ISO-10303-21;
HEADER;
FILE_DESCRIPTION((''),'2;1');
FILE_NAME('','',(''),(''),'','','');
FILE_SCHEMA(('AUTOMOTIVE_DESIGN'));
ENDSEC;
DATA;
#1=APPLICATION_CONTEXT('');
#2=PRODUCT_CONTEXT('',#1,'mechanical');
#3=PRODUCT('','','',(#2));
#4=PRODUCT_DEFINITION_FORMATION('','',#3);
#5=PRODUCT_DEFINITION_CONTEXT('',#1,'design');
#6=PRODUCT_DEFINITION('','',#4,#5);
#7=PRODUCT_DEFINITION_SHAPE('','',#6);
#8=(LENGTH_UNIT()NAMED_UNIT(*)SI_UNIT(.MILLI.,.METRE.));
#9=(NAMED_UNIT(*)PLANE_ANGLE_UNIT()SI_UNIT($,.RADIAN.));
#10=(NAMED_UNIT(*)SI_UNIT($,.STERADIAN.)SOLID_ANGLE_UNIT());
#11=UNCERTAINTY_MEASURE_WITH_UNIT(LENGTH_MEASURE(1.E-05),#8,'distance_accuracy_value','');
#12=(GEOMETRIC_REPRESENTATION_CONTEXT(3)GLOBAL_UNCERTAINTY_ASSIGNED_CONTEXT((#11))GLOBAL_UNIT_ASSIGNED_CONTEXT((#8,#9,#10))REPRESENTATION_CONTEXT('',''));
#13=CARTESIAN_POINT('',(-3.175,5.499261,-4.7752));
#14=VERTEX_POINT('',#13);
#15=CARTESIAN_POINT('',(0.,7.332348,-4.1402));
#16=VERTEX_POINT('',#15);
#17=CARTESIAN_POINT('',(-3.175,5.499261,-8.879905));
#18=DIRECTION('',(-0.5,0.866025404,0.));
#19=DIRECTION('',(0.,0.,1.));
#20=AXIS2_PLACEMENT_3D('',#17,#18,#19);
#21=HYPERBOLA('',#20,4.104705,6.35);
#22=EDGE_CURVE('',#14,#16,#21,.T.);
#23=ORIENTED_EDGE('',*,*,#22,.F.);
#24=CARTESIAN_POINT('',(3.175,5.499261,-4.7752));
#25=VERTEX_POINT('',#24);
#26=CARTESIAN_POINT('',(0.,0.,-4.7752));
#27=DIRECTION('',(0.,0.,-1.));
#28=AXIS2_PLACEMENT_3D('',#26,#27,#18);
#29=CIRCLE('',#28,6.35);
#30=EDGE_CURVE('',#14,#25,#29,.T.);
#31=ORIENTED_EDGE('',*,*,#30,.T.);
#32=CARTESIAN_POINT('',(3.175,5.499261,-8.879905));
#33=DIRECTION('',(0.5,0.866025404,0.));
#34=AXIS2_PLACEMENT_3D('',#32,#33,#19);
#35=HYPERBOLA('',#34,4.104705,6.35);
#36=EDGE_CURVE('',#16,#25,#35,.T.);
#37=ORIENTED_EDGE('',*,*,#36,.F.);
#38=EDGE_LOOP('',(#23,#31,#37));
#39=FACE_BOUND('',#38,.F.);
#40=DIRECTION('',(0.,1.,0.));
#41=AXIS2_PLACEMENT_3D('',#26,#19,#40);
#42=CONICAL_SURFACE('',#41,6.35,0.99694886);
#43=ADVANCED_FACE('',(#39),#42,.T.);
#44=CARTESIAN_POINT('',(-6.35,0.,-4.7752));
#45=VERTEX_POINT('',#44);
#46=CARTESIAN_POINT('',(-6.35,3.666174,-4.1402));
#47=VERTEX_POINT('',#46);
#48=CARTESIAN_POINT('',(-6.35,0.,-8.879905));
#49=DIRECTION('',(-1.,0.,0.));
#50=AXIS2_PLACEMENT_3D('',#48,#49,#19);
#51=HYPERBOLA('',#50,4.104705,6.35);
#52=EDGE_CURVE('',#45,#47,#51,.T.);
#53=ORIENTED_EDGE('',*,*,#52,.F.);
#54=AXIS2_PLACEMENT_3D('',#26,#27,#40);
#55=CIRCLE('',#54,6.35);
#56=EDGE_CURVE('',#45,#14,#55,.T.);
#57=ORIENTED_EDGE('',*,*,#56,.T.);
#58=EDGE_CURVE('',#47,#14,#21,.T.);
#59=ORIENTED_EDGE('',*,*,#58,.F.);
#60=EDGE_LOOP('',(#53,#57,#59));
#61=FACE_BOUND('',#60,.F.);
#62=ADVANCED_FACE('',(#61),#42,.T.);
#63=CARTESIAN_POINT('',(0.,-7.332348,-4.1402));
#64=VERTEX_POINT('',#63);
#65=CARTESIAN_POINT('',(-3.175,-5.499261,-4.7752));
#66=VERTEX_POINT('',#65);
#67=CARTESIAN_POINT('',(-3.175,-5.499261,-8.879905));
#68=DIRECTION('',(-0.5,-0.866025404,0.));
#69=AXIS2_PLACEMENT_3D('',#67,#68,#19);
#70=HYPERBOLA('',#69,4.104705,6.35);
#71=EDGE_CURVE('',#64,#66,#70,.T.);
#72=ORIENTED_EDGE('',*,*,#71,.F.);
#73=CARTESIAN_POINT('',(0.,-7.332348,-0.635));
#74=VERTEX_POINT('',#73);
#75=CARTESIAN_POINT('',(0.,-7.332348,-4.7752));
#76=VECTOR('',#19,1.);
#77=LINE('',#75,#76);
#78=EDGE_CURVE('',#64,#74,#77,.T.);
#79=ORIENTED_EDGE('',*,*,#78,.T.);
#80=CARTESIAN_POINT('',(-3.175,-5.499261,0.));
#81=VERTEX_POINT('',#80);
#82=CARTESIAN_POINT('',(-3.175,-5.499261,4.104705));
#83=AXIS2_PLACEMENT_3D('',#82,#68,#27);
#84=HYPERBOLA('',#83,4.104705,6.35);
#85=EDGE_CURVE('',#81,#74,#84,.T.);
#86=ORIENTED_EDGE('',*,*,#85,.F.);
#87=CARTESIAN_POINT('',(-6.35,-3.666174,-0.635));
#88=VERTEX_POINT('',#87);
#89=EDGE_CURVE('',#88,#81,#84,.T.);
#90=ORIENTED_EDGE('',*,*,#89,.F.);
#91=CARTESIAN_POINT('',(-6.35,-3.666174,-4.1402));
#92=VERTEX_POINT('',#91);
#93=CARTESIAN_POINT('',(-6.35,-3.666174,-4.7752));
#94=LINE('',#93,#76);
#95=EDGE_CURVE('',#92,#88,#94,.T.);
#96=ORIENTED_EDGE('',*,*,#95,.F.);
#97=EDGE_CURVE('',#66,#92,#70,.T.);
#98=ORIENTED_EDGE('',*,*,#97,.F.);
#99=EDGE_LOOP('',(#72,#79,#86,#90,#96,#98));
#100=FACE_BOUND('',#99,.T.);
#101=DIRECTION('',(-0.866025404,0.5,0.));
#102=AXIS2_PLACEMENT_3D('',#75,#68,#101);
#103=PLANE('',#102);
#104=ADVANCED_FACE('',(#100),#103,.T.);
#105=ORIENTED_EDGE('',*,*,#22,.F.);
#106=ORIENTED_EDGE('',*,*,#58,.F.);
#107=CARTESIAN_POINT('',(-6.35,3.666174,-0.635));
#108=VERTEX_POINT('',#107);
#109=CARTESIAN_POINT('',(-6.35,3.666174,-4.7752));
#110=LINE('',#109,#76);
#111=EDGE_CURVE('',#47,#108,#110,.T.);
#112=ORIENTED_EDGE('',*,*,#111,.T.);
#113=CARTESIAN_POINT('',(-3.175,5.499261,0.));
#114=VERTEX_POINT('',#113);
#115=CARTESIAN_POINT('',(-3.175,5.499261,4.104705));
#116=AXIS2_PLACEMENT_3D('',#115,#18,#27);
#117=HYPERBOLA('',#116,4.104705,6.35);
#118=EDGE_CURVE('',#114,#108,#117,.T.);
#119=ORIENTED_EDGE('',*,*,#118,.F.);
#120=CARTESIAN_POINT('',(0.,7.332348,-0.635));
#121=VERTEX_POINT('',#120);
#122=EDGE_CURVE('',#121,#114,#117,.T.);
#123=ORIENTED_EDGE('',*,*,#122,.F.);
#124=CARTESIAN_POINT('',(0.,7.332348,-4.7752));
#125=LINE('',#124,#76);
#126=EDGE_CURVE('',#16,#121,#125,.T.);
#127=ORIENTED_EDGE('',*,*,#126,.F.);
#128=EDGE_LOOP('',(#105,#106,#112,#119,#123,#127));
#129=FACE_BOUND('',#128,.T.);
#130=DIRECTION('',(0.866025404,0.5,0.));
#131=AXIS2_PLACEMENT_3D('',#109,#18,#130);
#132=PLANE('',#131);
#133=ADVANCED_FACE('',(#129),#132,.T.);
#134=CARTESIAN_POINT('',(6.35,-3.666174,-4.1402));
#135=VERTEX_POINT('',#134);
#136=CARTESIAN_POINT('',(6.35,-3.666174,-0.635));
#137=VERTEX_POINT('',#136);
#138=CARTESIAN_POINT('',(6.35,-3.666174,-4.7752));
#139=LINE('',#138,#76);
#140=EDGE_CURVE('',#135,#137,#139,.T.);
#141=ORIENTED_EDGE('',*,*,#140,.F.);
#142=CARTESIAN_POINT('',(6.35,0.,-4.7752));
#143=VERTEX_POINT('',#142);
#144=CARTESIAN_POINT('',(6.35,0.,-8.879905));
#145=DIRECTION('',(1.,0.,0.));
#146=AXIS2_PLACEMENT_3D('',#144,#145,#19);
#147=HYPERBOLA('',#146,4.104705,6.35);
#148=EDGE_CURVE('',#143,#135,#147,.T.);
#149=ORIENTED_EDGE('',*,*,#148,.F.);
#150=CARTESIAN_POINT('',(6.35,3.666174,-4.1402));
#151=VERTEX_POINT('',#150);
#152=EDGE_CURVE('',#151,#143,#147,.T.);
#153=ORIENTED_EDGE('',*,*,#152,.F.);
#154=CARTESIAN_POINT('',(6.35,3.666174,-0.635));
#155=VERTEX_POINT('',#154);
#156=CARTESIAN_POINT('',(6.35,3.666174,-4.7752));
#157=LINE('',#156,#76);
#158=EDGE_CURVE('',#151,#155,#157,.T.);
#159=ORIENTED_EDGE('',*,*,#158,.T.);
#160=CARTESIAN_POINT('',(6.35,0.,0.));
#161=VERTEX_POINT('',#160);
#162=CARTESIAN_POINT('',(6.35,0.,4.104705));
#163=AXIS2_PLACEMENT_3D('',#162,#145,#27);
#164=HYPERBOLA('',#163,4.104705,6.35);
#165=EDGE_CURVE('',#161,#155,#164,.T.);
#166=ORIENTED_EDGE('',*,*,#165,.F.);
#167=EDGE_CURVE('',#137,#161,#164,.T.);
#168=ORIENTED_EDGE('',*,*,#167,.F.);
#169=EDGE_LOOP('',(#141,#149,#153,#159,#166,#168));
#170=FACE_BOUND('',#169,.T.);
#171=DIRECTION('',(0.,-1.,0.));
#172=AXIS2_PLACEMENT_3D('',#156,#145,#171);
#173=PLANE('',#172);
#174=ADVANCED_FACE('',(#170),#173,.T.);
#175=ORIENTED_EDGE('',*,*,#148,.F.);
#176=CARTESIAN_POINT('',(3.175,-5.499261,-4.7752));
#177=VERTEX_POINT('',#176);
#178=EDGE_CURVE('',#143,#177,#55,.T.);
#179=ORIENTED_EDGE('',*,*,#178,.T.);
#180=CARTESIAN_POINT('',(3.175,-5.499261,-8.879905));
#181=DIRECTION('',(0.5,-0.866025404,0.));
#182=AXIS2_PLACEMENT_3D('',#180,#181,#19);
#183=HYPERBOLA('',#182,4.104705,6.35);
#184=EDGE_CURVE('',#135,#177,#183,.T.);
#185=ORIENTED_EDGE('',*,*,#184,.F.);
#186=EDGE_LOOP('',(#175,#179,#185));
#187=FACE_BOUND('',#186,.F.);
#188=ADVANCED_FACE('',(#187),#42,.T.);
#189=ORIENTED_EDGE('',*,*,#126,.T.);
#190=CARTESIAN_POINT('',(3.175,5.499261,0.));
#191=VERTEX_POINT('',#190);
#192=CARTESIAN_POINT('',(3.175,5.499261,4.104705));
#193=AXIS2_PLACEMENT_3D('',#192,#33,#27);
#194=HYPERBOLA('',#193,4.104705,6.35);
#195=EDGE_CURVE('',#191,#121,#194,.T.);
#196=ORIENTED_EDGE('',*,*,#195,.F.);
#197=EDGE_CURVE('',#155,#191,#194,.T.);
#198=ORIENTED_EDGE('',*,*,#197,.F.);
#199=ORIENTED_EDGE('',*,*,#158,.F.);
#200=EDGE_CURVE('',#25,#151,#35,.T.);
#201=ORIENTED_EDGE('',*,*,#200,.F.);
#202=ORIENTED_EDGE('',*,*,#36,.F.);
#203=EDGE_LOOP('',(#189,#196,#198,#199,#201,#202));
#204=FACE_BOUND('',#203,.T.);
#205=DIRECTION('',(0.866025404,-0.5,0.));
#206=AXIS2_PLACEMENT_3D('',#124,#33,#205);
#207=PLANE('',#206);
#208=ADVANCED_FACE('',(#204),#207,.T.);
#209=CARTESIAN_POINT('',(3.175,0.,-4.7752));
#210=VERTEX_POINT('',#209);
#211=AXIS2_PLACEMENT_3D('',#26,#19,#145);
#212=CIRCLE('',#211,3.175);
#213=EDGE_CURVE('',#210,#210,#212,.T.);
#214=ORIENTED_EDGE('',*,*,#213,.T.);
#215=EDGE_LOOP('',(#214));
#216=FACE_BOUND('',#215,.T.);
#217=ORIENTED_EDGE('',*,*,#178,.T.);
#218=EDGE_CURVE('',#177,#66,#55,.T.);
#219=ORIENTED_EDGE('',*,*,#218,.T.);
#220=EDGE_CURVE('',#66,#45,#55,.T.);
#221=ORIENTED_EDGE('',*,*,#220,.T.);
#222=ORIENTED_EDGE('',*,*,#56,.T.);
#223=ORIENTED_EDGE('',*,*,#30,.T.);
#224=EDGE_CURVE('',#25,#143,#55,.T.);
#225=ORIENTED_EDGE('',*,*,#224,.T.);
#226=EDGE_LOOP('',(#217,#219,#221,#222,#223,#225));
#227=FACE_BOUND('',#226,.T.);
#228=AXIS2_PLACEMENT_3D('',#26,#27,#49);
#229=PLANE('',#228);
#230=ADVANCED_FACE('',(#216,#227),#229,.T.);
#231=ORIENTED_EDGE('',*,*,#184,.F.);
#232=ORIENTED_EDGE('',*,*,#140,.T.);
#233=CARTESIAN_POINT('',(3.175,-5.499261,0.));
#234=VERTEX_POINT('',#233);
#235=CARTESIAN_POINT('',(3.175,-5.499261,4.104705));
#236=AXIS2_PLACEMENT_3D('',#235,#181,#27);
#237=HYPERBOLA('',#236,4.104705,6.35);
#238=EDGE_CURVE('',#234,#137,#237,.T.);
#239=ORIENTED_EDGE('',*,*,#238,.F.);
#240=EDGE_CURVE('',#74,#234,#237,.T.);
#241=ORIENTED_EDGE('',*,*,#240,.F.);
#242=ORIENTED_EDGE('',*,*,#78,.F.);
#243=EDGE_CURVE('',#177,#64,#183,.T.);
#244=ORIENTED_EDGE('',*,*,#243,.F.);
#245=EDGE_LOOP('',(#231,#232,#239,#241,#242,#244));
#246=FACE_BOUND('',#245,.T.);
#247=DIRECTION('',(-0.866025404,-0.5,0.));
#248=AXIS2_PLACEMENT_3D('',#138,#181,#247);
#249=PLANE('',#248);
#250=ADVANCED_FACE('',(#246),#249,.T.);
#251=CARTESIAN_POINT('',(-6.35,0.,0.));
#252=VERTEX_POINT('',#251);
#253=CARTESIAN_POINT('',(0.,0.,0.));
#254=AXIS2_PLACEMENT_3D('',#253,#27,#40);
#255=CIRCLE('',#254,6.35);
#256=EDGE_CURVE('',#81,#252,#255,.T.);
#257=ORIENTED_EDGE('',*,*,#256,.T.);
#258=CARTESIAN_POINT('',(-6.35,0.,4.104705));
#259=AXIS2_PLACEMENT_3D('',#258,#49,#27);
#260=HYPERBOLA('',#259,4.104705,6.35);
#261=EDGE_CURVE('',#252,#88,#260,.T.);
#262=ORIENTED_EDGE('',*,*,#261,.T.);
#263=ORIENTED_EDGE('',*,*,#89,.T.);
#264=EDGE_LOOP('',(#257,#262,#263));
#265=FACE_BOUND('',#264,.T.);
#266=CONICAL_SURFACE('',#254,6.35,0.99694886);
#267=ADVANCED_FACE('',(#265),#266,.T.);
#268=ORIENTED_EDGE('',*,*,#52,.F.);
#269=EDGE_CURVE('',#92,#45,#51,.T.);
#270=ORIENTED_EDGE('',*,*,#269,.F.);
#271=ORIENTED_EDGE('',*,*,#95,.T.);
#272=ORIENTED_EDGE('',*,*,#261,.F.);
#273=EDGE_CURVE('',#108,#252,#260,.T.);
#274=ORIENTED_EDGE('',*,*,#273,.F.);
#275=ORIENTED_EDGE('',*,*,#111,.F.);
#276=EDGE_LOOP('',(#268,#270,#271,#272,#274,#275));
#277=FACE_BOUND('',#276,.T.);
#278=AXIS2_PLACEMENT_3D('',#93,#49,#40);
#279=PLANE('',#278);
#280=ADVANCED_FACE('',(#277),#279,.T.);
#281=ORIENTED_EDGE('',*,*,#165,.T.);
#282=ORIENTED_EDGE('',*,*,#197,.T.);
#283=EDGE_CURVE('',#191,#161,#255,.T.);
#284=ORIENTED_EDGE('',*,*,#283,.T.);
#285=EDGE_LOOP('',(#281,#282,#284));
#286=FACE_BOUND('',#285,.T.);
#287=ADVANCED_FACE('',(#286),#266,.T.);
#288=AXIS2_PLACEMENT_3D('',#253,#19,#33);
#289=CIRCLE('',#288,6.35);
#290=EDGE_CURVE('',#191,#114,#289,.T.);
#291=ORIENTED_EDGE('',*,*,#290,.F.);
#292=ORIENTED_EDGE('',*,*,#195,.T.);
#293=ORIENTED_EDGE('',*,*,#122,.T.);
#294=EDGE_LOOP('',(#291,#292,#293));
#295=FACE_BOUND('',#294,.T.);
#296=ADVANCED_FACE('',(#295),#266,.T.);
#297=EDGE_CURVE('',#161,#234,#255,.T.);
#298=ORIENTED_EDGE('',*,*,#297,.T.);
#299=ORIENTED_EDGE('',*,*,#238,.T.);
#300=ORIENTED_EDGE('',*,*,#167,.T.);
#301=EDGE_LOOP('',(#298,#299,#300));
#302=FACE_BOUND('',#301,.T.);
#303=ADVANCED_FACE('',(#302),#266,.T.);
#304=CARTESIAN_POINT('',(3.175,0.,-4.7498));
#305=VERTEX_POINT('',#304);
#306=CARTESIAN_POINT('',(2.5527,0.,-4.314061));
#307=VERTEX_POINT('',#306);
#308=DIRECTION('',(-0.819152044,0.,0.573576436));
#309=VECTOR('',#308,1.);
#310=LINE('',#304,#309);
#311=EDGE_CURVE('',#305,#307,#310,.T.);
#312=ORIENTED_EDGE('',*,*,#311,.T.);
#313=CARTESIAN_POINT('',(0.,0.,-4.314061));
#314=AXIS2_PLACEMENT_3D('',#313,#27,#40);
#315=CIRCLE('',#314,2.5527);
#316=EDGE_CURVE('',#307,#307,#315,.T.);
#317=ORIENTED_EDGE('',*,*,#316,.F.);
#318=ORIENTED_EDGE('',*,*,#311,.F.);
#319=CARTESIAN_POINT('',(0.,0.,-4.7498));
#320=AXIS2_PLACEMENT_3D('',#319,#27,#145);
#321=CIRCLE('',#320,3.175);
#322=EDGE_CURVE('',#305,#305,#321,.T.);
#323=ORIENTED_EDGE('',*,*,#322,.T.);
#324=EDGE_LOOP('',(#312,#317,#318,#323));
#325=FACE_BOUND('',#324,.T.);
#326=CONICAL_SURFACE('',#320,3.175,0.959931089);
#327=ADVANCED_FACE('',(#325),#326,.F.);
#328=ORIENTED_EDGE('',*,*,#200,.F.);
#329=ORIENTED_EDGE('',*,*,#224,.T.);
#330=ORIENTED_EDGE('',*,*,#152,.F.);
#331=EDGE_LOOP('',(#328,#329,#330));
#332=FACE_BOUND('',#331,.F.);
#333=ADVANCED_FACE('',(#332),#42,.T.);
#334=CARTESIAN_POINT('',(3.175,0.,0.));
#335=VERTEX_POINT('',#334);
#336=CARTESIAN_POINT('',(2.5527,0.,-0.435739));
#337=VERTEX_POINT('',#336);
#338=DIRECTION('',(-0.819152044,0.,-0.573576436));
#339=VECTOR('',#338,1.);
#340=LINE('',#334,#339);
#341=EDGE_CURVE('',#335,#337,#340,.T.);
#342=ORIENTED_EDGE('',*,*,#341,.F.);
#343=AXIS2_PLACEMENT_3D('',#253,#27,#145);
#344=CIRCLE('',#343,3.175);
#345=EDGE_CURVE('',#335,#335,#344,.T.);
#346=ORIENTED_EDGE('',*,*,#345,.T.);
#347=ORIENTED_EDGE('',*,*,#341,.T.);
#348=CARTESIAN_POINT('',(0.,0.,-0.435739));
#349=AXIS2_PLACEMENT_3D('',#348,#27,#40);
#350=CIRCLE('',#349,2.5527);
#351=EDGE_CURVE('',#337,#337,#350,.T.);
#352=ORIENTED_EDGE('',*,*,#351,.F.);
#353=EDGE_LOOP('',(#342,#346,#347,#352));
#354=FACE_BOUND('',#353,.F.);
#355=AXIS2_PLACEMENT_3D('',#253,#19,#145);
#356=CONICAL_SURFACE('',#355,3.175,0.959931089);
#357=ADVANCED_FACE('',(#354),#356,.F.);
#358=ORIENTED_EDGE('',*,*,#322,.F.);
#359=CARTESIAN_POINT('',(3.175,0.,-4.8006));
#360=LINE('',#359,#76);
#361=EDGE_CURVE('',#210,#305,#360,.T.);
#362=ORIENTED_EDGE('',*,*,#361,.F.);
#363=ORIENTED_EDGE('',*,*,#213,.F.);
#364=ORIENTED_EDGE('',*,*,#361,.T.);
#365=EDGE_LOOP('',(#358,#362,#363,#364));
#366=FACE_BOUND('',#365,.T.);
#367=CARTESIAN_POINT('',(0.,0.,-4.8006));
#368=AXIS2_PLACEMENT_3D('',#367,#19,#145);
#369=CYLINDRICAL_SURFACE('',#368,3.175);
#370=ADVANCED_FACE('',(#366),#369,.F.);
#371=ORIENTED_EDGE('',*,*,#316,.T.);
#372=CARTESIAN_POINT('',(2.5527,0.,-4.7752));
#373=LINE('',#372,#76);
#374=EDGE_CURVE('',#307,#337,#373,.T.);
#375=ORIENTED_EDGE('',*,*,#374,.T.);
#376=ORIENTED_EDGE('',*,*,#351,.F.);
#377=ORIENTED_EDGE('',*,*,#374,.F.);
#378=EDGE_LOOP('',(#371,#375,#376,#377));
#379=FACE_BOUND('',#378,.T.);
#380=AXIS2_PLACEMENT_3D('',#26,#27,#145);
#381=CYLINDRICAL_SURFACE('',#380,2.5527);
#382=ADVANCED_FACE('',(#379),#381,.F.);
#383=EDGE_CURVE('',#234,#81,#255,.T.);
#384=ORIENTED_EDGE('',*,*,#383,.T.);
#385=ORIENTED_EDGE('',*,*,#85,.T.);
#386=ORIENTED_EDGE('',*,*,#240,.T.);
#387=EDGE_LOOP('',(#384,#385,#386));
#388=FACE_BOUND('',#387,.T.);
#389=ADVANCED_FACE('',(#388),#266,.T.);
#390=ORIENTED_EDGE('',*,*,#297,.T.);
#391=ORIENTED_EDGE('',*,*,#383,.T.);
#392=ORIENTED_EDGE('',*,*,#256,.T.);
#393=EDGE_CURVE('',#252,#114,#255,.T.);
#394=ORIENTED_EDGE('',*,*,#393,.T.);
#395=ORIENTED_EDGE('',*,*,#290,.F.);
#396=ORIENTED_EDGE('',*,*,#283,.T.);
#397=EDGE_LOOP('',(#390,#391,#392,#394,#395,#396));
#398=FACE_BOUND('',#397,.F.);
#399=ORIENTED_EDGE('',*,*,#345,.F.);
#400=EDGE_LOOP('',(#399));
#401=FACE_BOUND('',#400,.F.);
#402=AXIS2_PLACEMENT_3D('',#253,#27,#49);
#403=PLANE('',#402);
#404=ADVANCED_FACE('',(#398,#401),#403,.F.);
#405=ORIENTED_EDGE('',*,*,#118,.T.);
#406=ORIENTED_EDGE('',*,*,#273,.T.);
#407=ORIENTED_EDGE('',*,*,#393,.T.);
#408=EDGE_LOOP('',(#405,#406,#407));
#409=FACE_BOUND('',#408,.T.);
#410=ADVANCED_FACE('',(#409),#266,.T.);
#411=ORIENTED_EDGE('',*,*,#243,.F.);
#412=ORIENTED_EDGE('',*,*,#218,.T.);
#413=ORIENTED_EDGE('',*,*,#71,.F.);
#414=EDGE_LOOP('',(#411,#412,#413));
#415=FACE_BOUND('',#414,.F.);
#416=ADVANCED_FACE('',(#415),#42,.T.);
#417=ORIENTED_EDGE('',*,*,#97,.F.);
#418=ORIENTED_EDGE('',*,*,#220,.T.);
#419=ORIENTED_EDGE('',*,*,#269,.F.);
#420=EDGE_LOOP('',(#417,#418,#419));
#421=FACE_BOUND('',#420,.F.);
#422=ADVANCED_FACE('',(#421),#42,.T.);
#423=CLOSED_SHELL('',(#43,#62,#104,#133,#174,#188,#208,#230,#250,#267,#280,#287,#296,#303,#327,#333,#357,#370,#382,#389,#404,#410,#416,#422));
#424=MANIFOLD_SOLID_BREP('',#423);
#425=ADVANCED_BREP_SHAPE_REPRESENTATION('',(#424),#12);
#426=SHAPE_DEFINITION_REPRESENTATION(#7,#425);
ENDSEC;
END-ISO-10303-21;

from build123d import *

# Parameters (mm, degrees)
BASENUT_START = -4.7752
BASENUTSKE_R  = 2.5527
BASENUT_DEPTH = 4.7752


with BuildPart() as part:
    # BaseNutSke → BaseNut (new body)
    with BuildSketch(Plane.XY.offset(BASENUT_START)):
        Polygon((6.35, 3.666174209), (6.35, -3.666174209), (0, -7.332348419), (-6.35, -3.666174209), (-6.35, 3.666174209), (0, 7.332348419), align=None)
        Circle(BASENUTSKE_R, mode=Mode.SUBTRACT)
    extrude(amount=BASENUT_DEPTH)

    # Sketch3 → Double-Chamfer (revolve, cut)
    with BuildSketch(Plane(origin=(0, 0, 0), x_dir=(0, 0, -1), z_dir=(1, 0, 0))):
        Polygon((4.7752, 6.35), (4.1402, 7.332348419), (4.1402, 20.032348419), (17.4752, 20.032348419), (17.4752, 6.35), align=None)
        Polygon((0.635, 20.032348419), (-12.7, 20.032348419), (-12.7, 6.35), (0, 6.35), (0.635, 7.332348419), align=None)
    revolve(axis=Axis((0, 0, 0), (0, 0, -1)), mode=Mode.SUBTRACT)

    # EndChamferSke → EndChamfer (revolve, cut)
    with BuildSketch(Plane(origin=(0, 0, 0), x_dir=(0, 0, -1), z_dir=(1, 0, 0)), mode=Mode.PRIVATE) as endchamfer_sk:
        Polygon((4.7498, 3.175), (4.270486934, 2.49047), (4.8006, 2.49047), (4.8006, 3.175), align=None)
        Polygon((-0.0508, 3.175), (0, 3.175), (0.479313066, 2.49047), (-0.0508, 2.49047), align=None)
    revolve(endchamfer_sk.sketch.rotate(Axis((0, 0, -25.037505729), (0, 0, -1)), 90), axis=Axis((0, 0, -25.037505729), (0, 0, -1)), mode=Mode.SUBTRACT)


solid = part.part
